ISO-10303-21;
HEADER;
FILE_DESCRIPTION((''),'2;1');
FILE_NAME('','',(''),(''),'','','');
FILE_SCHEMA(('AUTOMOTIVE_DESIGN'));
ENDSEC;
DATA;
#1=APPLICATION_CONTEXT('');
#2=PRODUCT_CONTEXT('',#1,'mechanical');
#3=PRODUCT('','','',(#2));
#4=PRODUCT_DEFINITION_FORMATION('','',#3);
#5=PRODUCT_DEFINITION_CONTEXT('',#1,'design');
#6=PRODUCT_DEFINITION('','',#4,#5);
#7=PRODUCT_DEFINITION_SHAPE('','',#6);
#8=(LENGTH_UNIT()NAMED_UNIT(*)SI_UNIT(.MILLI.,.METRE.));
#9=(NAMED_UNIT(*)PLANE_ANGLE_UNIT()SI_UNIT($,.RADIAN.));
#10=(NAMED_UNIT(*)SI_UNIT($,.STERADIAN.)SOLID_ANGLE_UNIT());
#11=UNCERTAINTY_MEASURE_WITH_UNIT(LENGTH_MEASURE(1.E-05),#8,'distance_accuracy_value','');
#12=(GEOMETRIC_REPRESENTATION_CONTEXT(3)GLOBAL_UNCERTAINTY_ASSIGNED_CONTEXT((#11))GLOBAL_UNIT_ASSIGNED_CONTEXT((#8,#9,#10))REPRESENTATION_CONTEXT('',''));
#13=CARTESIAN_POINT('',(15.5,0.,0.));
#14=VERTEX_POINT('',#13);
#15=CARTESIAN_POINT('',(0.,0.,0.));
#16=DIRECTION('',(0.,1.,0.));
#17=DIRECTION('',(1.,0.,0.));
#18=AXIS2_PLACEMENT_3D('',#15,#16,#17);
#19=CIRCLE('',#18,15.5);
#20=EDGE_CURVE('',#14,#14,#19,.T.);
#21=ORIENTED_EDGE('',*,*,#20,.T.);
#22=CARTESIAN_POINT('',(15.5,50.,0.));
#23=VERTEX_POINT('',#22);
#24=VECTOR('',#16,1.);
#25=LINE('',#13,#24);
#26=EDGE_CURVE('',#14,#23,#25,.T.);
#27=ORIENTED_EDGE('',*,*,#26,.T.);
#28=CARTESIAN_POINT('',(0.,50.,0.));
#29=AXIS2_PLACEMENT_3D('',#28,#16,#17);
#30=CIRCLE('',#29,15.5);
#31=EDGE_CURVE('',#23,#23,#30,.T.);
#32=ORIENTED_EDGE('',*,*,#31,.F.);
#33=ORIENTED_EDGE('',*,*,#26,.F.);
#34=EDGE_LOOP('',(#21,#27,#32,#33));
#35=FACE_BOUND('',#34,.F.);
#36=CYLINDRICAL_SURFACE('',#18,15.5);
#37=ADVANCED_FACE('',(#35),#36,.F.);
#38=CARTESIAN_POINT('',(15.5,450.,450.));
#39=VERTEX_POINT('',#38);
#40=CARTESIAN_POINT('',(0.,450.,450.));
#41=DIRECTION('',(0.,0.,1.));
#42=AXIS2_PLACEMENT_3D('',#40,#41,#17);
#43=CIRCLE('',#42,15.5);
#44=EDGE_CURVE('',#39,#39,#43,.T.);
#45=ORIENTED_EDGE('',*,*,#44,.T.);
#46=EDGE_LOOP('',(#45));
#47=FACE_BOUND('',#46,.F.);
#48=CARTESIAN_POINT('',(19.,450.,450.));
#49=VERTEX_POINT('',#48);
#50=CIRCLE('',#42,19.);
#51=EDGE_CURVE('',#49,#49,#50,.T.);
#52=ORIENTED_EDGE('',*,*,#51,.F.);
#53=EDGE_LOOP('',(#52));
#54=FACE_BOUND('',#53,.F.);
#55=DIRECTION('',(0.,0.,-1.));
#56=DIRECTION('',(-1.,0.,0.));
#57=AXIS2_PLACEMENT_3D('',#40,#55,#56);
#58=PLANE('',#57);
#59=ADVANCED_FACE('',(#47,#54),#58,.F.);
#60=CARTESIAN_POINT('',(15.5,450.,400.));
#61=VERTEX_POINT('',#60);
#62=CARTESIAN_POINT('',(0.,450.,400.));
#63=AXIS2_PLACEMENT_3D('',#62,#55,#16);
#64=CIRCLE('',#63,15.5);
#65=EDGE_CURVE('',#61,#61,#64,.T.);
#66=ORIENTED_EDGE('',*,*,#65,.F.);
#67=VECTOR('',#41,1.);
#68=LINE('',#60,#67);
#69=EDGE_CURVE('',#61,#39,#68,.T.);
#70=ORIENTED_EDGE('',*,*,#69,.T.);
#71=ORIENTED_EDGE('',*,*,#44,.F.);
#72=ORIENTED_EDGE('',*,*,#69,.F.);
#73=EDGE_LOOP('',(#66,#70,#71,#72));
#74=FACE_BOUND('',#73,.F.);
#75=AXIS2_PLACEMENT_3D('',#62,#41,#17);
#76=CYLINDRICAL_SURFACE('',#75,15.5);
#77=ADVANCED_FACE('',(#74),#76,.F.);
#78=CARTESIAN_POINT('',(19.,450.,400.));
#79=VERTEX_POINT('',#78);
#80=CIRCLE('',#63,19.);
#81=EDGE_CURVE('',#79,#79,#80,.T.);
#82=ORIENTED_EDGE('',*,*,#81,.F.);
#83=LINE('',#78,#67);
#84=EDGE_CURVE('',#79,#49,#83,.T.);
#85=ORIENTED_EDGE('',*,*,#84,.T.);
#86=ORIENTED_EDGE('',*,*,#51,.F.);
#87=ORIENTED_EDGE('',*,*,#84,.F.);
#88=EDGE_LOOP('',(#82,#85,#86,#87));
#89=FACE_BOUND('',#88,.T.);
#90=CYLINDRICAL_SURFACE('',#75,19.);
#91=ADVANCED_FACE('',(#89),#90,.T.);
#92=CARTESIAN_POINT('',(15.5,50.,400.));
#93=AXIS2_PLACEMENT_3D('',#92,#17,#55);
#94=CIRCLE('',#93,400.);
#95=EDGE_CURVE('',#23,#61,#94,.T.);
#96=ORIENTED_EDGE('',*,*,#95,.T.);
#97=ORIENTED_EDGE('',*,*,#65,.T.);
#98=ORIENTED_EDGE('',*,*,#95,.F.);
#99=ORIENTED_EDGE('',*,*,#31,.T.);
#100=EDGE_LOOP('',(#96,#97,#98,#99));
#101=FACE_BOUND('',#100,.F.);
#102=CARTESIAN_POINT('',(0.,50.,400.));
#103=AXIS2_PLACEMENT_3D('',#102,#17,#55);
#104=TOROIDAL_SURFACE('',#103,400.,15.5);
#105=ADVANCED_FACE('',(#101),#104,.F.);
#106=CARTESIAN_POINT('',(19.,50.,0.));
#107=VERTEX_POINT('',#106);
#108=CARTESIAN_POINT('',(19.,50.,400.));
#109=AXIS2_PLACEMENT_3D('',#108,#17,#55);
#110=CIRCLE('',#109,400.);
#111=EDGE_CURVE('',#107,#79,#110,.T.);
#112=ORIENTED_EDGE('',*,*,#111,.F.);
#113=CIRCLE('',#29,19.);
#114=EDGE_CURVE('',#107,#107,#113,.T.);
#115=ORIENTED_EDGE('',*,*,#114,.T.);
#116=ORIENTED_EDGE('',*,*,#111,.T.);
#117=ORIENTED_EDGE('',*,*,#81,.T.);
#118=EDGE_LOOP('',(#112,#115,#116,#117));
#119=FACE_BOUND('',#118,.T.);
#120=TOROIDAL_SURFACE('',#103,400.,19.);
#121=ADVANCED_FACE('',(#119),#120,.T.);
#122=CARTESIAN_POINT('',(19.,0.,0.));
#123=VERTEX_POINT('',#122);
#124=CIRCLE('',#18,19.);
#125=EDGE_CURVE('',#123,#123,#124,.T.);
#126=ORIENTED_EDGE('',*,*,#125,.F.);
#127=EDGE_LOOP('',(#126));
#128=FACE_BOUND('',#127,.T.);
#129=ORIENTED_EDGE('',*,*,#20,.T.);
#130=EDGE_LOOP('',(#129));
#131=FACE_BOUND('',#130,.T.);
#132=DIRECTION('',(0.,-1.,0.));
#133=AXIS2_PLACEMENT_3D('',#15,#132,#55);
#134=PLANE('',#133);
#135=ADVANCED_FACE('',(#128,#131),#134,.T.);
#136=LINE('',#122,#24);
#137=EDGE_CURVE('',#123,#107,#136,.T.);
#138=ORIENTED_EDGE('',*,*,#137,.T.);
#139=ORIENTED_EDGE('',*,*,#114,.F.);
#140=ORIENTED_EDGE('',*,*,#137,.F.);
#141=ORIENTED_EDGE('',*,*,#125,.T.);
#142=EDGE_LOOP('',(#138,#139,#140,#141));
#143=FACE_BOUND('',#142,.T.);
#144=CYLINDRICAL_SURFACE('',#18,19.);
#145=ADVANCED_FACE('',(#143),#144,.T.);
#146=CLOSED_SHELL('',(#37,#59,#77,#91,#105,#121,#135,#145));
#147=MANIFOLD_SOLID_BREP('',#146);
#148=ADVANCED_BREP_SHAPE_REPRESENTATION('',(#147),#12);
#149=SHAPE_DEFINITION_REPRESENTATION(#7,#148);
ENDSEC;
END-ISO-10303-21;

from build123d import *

# Parameters (mm, degrees)
F0_R   = 19
F0_R_2 = 15.5


with BuildPart() as f2:
    # F2: sweep along a path in F1
    with BuildLine(Plane.YZ) as f2_path:
        Line((0, 0), (50, 0))
        ThreePointArc((50, 0), (332.8427124746, 117.1572875254), (450, 400))
        Line((450, 400), (450, 450))
    # F0 (on Front) → F2 (sweep)
    with BuildSketch(Plane.XZ):
        Circle(F0_R)
        Circle(F0_R_2, mode=Mode.SUBTRACT)
    sweep(path=f2_path.line)


solid = f2.part
